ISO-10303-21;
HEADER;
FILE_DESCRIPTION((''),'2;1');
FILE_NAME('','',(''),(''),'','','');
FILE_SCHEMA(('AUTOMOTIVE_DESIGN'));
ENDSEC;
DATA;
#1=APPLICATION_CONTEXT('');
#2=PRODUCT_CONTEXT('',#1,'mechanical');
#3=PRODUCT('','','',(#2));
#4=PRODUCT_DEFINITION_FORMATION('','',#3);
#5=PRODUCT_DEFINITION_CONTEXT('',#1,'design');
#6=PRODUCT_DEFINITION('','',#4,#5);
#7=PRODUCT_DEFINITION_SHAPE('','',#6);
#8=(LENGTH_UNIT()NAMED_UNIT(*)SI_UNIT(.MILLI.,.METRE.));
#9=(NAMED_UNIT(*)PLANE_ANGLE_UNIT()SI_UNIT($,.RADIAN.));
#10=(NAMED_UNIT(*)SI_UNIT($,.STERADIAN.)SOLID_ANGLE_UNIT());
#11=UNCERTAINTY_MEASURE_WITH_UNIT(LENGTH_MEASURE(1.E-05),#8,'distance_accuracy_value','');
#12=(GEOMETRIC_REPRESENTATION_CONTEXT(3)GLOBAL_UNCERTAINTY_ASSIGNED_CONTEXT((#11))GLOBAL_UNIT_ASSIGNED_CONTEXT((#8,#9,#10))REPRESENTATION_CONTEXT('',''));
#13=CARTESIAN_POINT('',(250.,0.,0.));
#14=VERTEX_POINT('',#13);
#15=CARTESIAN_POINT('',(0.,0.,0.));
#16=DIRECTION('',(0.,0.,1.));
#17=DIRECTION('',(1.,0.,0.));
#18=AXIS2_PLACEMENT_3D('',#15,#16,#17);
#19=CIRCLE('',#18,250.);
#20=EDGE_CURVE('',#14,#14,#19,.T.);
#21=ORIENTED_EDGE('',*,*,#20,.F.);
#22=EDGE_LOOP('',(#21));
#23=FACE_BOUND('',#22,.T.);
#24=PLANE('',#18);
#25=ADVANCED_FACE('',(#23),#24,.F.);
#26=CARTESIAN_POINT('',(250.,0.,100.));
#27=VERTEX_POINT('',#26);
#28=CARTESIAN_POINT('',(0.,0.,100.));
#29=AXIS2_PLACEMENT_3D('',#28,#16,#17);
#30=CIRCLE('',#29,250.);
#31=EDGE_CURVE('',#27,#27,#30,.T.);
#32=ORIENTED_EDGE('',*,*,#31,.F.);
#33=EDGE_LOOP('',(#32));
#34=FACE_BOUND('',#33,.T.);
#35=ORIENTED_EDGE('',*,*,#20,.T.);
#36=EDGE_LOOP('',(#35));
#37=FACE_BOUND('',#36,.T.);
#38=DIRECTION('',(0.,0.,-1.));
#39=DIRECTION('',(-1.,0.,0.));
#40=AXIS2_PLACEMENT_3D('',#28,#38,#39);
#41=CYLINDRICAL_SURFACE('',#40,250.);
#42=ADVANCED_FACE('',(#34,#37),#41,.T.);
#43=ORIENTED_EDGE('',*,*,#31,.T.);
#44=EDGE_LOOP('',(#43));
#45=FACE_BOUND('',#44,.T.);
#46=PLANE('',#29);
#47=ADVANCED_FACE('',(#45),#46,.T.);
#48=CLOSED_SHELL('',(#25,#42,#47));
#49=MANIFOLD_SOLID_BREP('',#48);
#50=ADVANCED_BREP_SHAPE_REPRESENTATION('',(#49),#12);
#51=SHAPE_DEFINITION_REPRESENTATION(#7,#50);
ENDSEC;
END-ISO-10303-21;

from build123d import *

# Parameters (mm, degrees)
SKETCH1_R           = 250
BOSS_EXTRUDE1_DEPTH = 100


with BuildPart() as part:
    # Sketch1 → Boss-Extrude1 (new body)
    with BuildSketch(Plane.XY):
        Circle(SKETCH1_R)
    extrude(amount=BOSS_EXTRUDE1_DEPTH)


solid = part.part
